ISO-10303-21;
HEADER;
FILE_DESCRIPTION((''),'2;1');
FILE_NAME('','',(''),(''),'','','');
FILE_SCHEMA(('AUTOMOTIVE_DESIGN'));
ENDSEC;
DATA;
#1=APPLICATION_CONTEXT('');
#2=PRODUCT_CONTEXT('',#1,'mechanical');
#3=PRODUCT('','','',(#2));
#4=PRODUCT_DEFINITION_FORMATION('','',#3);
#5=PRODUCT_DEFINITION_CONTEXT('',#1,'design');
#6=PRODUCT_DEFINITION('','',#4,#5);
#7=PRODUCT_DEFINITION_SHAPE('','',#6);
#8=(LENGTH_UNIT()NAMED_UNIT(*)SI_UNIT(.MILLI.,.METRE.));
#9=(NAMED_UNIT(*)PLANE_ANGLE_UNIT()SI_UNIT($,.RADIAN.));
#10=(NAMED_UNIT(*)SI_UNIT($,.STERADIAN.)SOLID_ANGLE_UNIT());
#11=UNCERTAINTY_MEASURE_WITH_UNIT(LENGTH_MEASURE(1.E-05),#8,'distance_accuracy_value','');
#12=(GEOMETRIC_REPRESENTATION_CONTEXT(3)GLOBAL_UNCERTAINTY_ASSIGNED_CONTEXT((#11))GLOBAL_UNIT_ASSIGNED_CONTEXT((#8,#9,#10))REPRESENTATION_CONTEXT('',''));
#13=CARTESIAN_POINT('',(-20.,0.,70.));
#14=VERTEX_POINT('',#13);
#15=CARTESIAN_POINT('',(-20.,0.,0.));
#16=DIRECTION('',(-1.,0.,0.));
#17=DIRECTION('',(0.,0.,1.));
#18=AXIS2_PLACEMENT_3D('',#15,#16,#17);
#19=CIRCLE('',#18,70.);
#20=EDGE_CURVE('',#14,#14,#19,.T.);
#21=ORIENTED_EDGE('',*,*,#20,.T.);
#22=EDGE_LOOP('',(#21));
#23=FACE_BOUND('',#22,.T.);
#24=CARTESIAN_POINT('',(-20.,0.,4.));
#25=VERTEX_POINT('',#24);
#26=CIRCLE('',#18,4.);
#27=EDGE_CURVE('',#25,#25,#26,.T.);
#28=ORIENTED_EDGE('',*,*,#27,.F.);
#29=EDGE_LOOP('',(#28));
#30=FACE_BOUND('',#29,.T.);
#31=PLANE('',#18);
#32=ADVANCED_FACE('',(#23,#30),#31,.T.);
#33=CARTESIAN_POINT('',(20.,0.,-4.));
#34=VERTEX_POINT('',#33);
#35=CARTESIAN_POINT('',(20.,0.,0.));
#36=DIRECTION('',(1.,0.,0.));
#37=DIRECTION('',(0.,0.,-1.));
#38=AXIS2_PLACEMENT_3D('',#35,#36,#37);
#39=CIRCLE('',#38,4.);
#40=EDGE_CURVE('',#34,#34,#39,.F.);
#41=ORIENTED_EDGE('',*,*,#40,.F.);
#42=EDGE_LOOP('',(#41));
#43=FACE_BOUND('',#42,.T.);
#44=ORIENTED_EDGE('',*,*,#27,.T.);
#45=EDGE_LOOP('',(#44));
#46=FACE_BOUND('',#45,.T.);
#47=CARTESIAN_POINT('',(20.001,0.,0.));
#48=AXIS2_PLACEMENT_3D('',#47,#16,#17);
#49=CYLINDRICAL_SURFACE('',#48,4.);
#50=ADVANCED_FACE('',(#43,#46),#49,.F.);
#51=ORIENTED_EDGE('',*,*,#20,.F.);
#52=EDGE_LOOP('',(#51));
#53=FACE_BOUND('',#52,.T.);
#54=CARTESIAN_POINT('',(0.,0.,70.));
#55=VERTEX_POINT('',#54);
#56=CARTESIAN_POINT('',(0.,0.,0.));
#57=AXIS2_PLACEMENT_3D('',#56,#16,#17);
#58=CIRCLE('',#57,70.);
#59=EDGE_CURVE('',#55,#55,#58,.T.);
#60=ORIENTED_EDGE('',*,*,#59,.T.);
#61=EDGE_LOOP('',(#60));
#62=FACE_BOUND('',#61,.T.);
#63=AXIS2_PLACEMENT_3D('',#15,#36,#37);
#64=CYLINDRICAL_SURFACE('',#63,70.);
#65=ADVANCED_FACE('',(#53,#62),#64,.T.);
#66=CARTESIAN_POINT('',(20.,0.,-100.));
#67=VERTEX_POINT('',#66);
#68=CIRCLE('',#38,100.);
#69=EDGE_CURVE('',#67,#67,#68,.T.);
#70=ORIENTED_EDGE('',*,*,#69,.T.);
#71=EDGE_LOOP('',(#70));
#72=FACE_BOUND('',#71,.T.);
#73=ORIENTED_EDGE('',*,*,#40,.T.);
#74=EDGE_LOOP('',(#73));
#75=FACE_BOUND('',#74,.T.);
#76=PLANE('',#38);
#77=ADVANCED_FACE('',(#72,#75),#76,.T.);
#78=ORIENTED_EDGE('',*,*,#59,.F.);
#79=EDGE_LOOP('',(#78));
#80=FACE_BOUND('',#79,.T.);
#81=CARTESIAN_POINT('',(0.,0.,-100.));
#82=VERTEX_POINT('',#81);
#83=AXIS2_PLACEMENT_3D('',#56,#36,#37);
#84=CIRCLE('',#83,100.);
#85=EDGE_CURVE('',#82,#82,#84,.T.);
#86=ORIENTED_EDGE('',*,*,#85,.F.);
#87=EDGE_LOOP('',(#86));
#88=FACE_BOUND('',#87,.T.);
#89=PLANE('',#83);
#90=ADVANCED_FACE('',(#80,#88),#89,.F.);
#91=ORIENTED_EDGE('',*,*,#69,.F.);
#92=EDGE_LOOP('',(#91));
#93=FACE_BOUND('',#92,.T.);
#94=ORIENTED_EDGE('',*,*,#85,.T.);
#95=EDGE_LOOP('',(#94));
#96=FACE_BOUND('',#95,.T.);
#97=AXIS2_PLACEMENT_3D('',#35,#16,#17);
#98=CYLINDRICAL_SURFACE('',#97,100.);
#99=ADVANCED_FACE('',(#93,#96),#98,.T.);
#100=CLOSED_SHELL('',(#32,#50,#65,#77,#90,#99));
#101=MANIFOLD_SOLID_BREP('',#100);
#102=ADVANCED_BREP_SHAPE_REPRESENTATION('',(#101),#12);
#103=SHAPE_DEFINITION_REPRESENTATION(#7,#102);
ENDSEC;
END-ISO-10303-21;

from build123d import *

# Parameters (mm, degrees)
SKETCH1_R           = 100
BOSS_EXTRUDE1_DEPTH = 20
SKETCH2_R           = 70
BOSS_EXTRUDE2_DEPTH = 20
CUT_EXTRUDE1_REACH  = 148.969
SKETCH3_R           = 4


with BuildPart() as part:
    # Sketch1 → Boss-Extrude1 (new body)
    with BuildSketch(Plane(origin=(0, 0, 0), x_dir=(0, 0, -1), z_dir=(1, 0, 0))):
        Circle(SKETCH1_R)
    extrude(amount=BOSS_EXTRUDE1_DEPTH)

    # Sketch2 → Boss-Extrude2 (add)
    with BuildSketch(Plane.ZY):
        Circle(SKETCH2_R)
    extrude(amount=BOSS_EXTRUDE2_DEPTH)

    # Sketch3 → Cut-Extrude1 (cut, up to next)
    with BuildSketch(Plane.ZY.offset(20), mode=Mode.PRIVATE) as cut_extrude1_sk1:
        Circle(SKETCH3_R)
    cut_extrude1_tool1 = extrude(cut_extrude1_sk1.sketch, amount=-CUT_EXTRUDE1_REACH, mode=Mode.PRIVATE) & part.part
    add(cut_extrude1_tool1.solids().sort_by_distance((-20, 0, 0))[0], mode=Mode.SUBTRACT)


solid = part.part
